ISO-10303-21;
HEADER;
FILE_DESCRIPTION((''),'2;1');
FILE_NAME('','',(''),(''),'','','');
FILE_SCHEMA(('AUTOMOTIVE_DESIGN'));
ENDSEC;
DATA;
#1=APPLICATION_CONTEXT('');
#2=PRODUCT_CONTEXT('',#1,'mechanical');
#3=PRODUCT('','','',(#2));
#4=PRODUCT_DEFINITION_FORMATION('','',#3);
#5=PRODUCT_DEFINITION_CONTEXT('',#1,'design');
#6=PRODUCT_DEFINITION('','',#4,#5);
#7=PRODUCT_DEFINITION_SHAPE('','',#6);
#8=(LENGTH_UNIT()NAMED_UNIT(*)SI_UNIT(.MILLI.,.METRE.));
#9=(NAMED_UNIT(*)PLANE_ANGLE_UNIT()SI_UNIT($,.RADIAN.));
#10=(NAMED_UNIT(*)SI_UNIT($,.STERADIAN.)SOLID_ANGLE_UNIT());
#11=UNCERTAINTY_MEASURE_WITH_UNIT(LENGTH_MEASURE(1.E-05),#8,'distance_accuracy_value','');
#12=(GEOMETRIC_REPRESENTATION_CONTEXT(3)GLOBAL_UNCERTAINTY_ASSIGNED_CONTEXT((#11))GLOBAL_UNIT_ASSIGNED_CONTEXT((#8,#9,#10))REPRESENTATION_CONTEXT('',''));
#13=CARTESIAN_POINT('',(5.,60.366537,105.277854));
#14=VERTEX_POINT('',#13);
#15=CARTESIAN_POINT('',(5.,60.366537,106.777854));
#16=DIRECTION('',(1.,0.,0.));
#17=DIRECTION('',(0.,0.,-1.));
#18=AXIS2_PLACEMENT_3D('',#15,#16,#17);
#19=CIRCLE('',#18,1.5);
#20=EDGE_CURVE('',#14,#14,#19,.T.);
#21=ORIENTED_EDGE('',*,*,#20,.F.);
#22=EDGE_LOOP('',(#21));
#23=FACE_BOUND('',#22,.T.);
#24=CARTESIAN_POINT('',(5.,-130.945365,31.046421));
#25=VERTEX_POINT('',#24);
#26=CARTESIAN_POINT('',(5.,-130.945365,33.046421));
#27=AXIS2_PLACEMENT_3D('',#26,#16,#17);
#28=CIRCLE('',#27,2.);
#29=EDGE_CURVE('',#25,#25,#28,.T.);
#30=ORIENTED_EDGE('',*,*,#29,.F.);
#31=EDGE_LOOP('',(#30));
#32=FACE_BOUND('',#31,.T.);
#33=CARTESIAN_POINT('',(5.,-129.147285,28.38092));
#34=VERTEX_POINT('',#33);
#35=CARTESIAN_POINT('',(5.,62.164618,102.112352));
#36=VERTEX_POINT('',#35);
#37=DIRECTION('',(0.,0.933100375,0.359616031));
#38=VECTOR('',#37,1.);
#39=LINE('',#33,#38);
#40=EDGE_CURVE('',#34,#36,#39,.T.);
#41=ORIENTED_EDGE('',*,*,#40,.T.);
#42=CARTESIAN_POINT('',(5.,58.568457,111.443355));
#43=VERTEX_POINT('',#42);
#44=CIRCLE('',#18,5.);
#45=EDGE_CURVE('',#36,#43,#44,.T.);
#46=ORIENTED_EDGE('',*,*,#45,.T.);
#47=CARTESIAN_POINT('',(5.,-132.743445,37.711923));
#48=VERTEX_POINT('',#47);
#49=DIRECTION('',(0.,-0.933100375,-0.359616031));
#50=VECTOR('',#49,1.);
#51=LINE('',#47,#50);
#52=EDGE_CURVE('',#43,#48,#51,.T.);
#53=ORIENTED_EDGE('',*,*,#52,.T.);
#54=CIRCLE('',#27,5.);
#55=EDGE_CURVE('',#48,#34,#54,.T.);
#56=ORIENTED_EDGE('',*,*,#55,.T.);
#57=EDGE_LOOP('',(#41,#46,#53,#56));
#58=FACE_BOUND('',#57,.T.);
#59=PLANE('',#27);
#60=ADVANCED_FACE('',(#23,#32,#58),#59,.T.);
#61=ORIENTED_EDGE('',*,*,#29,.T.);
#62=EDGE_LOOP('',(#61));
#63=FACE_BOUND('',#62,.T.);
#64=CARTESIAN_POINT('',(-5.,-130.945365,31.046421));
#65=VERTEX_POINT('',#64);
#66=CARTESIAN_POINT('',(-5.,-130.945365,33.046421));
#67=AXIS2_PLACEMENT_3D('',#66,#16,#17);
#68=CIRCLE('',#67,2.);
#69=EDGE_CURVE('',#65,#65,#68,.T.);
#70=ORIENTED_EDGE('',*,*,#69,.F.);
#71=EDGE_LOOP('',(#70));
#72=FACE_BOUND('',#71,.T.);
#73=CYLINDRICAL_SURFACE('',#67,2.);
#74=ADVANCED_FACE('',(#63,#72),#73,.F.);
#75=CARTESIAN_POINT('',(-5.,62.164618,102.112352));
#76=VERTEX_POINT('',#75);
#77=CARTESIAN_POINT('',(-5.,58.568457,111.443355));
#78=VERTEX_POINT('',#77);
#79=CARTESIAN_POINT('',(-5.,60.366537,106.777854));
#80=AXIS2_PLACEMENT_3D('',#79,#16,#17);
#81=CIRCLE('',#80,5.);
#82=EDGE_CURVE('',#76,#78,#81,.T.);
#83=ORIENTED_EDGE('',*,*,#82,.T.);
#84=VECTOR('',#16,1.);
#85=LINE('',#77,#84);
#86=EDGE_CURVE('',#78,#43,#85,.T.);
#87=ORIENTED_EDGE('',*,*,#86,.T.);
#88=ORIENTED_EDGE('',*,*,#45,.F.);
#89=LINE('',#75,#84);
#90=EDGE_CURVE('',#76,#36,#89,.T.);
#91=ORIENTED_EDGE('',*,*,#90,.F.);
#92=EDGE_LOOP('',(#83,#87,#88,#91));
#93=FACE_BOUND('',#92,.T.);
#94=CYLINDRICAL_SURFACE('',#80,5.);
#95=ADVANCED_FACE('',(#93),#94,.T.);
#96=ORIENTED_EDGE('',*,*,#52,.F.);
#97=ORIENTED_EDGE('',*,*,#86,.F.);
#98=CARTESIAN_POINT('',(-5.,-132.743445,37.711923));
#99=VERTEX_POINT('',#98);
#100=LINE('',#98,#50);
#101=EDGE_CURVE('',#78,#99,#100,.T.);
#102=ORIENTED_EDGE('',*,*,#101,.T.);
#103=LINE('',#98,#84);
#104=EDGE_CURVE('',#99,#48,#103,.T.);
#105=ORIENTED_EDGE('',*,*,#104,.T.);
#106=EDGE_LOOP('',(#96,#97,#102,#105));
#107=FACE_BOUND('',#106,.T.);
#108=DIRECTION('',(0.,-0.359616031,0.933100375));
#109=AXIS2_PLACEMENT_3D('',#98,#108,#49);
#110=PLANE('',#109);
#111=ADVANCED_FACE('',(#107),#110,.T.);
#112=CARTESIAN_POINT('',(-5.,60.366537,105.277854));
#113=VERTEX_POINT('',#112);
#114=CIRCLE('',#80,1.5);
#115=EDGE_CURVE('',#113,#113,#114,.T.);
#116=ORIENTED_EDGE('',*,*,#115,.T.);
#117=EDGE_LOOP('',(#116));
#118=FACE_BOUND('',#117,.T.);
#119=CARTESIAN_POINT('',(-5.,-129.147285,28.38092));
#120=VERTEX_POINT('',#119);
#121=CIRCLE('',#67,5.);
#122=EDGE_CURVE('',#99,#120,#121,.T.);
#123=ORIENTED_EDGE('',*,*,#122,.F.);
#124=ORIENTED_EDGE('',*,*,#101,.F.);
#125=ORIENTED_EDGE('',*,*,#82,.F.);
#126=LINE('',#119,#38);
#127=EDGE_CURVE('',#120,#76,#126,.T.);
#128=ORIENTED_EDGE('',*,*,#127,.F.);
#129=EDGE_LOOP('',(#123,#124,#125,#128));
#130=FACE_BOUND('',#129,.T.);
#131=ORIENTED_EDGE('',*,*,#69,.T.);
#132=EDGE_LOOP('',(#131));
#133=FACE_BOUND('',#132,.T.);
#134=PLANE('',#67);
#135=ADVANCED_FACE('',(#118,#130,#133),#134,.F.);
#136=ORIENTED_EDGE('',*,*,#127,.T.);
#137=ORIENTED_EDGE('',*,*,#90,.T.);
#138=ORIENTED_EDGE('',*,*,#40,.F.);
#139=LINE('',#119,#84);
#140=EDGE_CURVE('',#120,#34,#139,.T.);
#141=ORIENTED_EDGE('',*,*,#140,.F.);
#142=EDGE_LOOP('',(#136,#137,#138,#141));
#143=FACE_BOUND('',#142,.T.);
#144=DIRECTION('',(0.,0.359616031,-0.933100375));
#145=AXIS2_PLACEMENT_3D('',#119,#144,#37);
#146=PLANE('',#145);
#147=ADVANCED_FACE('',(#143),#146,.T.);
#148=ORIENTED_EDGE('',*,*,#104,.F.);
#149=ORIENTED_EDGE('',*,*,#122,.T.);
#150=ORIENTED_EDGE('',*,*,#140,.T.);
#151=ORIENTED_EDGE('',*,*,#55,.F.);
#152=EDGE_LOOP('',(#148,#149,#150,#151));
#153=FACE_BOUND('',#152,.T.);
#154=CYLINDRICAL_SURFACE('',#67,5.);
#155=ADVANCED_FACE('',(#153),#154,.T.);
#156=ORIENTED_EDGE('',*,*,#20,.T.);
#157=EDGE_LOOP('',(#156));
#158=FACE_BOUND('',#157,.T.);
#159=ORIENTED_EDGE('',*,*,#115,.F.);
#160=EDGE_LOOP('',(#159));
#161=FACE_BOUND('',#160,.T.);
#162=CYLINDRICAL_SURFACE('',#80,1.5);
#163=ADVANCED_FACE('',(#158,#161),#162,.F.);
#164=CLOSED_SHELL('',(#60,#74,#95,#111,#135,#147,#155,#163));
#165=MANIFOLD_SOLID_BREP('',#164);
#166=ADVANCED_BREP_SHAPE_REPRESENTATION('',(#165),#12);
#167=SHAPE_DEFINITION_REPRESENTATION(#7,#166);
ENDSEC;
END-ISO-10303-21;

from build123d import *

# Parameters (mm, degrees)
BOSS_EXTRUDE1_DEPTH      = 5
BOSS_EXTRUDE1_DEPTH_BACK = 5
SKETCH2_R                = 1.5
SKETCH2_R_2              = 2


with BuildPart() as part:
    # Sketch2 → Boss-Extrude1 (new, two sides: drawn at the far end of the back side and taken through both)
    with BuildSketch(Plane(origin=(0, 0, 0), x_dir=(0, 0, -1), z_dir=(1, 0, 0)).offset(-BOSS_EXTRUDE1_DEPTH_BACK)):
        with BuildLine():
            Line((-37.711923347, -132.743444835), (-111.443355455, 58.568457266))
            ThreePointArc((-111.443355455, 58.568457266), (-108.575933735, 65.032039298), (-102.112351703, 62.164617578))
            Line((-102.112351703, 62.164617578), (-28.380919596, -129.147284523))
            ThreePointArc((-28.380919596, -129.147284523), (-31.248341316, -135.610866555), (-37.711923347, -132.743444835))
        make_face()
        with Locations((-106.777853579, 60.366537422)):
            Circle(SKETCH2_R, mode=Mode.SUBTRACT)
        with Locations((-33.046421472, -130.945364679)):
            Circle(SKETCH2_R_2, mode=Mode.SUBTRACT)
    extrude(amount=BOSS_EXTRUDE1_DEPTH + BOSS_EXTRUDE1_DEPTH_BACK)


solid = part.part
